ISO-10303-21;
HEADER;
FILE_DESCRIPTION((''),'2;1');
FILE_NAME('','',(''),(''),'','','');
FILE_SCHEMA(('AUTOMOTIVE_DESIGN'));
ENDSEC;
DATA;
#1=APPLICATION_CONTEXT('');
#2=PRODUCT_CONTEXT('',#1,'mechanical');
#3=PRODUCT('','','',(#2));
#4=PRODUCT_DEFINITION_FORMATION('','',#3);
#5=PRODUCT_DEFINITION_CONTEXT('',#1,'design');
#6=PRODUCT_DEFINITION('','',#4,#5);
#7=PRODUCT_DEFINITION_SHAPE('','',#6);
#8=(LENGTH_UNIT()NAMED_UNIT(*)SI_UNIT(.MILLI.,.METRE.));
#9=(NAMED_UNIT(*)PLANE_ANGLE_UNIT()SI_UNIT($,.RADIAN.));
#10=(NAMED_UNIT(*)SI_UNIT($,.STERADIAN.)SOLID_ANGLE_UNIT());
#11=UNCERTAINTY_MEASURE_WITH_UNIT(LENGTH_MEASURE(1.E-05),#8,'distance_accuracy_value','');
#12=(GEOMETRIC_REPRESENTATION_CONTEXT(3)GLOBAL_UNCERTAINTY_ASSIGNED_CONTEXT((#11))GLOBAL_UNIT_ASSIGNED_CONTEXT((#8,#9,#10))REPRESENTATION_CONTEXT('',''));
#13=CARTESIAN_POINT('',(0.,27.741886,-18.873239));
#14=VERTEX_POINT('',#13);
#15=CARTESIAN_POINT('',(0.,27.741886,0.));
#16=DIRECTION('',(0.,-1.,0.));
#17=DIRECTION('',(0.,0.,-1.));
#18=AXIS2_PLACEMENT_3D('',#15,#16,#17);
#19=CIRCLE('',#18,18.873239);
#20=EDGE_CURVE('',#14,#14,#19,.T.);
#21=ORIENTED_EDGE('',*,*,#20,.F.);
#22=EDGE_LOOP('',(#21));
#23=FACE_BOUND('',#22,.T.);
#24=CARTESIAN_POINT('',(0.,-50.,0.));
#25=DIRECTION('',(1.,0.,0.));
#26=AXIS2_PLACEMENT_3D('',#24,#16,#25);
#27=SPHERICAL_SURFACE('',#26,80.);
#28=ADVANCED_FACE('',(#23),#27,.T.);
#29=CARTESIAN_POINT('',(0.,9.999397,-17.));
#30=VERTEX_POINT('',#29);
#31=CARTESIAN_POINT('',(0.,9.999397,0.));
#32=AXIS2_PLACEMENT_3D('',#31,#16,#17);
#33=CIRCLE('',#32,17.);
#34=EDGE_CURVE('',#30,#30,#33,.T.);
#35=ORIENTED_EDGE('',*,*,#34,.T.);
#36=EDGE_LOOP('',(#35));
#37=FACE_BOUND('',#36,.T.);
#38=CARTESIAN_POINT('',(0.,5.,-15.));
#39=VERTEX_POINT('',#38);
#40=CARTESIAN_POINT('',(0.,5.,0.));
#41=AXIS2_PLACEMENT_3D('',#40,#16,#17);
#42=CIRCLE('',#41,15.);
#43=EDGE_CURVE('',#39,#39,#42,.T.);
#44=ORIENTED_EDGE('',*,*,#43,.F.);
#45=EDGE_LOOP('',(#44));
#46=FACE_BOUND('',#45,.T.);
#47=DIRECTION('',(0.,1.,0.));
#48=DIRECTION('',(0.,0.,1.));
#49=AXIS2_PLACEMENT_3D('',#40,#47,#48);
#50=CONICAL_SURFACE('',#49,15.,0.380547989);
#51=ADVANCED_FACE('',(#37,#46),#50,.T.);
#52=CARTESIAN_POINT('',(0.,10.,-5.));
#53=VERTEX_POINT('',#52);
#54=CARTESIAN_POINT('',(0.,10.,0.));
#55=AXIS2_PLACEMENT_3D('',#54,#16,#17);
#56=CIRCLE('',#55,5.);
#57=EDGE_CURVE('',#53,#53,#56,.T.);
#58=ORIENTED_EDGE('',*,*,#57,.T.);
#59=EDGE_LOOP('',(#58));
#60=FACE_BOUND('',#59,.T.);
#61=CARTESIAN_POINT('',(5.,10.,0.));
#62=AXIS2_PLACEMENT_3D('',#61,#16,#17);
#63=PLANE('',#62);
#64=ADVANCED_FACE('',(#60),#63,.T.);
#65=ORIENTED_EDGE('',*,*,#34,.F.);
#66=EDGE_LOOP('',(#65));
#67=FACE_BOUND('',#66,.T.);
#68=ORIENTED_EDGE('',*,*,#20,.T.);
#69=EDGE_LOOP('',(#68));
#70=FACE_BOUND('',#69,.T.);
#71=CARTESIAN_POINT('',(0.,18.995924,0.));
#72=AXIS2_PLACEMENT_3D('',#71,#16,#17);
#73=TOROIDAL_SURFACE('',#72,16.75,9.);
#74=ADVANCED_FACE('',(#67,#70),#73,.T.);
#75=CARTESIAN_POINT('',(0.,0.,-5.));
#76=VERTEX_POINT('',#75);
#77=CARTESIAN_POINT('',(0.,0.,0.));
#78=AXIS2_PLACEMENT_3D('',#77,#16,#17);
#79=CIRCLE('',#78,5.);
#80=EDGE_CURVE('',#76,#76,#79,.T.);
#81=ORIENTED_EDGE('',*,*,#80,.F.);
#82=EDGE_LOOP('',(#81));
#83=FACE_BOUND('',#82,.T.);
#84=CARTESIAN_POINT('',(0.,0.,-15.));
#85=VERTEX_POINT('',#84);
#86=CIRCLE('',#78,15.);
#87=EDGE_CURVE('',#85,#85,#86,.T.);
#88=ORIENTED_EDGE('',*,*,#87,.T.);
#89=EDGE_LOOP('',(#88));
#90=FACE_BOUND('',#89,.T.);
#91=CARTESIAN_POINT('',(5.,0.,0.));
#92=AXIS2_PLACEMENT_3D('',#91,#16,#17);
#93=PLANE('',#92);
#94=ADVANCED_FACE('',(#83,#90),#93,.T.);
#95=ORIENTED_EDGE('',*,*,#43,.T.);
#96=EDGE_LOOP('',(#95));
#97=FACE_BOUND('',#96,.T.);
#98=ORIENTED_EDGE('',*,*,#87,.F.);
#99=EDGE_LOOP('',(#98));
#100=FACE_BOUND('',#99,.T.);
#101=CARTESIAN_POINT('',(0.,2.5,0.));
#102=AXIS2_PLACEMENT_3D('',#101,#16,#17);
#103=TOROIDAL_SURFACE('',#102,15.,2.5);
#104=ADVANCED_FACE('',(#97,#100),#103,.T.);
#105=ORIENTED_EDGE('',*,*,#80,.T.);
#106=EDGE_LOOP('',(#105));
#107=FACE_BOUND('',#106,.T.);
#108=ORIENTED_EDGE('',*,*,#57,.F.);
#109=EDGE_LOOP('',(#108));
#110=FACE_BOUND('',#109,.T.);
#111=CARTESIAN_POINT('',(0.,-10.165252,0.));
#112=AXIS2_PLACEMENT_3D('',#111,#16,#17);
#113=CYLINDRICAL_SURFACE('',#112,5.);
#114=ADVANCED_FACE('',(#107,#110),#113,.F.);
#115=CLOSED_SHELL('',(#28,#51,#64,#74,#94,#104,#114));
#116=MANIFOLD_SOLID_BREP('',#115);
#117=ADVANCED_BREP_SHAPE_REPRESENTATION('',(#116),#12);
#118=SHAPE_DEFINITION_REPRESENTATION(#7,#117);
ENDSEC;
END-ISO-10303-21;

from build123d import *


with BuildPart() as part:
    # Croquis1 → Revolución1 (revolve)
    with BuildSketch(Plane.XY):
        with BuildLine():
            Line((5, 0), (15, 0))
            ThreePointArc((15, 0), (17.5, 2.5), (15, 5))
            Line((15, 5), (17, 9.999396685))
            ThreePointArc((17, 9.999396685), (25.700254064, 18.050962315), (18.873239437, 27.741885964))
            ThreePointArc((18.873239437, 27.741885964), (9.503923477, 29.433465482), (0, 30))
            Line((0, 30), (0, 10))
            Line((0, 10), (5, 10))
            Line((5, 10), (5, 0))
        make_face()
    revolve(axis=Axis((0, -10.165252064, 0), (0, 1, 0)))


solid = part.part
